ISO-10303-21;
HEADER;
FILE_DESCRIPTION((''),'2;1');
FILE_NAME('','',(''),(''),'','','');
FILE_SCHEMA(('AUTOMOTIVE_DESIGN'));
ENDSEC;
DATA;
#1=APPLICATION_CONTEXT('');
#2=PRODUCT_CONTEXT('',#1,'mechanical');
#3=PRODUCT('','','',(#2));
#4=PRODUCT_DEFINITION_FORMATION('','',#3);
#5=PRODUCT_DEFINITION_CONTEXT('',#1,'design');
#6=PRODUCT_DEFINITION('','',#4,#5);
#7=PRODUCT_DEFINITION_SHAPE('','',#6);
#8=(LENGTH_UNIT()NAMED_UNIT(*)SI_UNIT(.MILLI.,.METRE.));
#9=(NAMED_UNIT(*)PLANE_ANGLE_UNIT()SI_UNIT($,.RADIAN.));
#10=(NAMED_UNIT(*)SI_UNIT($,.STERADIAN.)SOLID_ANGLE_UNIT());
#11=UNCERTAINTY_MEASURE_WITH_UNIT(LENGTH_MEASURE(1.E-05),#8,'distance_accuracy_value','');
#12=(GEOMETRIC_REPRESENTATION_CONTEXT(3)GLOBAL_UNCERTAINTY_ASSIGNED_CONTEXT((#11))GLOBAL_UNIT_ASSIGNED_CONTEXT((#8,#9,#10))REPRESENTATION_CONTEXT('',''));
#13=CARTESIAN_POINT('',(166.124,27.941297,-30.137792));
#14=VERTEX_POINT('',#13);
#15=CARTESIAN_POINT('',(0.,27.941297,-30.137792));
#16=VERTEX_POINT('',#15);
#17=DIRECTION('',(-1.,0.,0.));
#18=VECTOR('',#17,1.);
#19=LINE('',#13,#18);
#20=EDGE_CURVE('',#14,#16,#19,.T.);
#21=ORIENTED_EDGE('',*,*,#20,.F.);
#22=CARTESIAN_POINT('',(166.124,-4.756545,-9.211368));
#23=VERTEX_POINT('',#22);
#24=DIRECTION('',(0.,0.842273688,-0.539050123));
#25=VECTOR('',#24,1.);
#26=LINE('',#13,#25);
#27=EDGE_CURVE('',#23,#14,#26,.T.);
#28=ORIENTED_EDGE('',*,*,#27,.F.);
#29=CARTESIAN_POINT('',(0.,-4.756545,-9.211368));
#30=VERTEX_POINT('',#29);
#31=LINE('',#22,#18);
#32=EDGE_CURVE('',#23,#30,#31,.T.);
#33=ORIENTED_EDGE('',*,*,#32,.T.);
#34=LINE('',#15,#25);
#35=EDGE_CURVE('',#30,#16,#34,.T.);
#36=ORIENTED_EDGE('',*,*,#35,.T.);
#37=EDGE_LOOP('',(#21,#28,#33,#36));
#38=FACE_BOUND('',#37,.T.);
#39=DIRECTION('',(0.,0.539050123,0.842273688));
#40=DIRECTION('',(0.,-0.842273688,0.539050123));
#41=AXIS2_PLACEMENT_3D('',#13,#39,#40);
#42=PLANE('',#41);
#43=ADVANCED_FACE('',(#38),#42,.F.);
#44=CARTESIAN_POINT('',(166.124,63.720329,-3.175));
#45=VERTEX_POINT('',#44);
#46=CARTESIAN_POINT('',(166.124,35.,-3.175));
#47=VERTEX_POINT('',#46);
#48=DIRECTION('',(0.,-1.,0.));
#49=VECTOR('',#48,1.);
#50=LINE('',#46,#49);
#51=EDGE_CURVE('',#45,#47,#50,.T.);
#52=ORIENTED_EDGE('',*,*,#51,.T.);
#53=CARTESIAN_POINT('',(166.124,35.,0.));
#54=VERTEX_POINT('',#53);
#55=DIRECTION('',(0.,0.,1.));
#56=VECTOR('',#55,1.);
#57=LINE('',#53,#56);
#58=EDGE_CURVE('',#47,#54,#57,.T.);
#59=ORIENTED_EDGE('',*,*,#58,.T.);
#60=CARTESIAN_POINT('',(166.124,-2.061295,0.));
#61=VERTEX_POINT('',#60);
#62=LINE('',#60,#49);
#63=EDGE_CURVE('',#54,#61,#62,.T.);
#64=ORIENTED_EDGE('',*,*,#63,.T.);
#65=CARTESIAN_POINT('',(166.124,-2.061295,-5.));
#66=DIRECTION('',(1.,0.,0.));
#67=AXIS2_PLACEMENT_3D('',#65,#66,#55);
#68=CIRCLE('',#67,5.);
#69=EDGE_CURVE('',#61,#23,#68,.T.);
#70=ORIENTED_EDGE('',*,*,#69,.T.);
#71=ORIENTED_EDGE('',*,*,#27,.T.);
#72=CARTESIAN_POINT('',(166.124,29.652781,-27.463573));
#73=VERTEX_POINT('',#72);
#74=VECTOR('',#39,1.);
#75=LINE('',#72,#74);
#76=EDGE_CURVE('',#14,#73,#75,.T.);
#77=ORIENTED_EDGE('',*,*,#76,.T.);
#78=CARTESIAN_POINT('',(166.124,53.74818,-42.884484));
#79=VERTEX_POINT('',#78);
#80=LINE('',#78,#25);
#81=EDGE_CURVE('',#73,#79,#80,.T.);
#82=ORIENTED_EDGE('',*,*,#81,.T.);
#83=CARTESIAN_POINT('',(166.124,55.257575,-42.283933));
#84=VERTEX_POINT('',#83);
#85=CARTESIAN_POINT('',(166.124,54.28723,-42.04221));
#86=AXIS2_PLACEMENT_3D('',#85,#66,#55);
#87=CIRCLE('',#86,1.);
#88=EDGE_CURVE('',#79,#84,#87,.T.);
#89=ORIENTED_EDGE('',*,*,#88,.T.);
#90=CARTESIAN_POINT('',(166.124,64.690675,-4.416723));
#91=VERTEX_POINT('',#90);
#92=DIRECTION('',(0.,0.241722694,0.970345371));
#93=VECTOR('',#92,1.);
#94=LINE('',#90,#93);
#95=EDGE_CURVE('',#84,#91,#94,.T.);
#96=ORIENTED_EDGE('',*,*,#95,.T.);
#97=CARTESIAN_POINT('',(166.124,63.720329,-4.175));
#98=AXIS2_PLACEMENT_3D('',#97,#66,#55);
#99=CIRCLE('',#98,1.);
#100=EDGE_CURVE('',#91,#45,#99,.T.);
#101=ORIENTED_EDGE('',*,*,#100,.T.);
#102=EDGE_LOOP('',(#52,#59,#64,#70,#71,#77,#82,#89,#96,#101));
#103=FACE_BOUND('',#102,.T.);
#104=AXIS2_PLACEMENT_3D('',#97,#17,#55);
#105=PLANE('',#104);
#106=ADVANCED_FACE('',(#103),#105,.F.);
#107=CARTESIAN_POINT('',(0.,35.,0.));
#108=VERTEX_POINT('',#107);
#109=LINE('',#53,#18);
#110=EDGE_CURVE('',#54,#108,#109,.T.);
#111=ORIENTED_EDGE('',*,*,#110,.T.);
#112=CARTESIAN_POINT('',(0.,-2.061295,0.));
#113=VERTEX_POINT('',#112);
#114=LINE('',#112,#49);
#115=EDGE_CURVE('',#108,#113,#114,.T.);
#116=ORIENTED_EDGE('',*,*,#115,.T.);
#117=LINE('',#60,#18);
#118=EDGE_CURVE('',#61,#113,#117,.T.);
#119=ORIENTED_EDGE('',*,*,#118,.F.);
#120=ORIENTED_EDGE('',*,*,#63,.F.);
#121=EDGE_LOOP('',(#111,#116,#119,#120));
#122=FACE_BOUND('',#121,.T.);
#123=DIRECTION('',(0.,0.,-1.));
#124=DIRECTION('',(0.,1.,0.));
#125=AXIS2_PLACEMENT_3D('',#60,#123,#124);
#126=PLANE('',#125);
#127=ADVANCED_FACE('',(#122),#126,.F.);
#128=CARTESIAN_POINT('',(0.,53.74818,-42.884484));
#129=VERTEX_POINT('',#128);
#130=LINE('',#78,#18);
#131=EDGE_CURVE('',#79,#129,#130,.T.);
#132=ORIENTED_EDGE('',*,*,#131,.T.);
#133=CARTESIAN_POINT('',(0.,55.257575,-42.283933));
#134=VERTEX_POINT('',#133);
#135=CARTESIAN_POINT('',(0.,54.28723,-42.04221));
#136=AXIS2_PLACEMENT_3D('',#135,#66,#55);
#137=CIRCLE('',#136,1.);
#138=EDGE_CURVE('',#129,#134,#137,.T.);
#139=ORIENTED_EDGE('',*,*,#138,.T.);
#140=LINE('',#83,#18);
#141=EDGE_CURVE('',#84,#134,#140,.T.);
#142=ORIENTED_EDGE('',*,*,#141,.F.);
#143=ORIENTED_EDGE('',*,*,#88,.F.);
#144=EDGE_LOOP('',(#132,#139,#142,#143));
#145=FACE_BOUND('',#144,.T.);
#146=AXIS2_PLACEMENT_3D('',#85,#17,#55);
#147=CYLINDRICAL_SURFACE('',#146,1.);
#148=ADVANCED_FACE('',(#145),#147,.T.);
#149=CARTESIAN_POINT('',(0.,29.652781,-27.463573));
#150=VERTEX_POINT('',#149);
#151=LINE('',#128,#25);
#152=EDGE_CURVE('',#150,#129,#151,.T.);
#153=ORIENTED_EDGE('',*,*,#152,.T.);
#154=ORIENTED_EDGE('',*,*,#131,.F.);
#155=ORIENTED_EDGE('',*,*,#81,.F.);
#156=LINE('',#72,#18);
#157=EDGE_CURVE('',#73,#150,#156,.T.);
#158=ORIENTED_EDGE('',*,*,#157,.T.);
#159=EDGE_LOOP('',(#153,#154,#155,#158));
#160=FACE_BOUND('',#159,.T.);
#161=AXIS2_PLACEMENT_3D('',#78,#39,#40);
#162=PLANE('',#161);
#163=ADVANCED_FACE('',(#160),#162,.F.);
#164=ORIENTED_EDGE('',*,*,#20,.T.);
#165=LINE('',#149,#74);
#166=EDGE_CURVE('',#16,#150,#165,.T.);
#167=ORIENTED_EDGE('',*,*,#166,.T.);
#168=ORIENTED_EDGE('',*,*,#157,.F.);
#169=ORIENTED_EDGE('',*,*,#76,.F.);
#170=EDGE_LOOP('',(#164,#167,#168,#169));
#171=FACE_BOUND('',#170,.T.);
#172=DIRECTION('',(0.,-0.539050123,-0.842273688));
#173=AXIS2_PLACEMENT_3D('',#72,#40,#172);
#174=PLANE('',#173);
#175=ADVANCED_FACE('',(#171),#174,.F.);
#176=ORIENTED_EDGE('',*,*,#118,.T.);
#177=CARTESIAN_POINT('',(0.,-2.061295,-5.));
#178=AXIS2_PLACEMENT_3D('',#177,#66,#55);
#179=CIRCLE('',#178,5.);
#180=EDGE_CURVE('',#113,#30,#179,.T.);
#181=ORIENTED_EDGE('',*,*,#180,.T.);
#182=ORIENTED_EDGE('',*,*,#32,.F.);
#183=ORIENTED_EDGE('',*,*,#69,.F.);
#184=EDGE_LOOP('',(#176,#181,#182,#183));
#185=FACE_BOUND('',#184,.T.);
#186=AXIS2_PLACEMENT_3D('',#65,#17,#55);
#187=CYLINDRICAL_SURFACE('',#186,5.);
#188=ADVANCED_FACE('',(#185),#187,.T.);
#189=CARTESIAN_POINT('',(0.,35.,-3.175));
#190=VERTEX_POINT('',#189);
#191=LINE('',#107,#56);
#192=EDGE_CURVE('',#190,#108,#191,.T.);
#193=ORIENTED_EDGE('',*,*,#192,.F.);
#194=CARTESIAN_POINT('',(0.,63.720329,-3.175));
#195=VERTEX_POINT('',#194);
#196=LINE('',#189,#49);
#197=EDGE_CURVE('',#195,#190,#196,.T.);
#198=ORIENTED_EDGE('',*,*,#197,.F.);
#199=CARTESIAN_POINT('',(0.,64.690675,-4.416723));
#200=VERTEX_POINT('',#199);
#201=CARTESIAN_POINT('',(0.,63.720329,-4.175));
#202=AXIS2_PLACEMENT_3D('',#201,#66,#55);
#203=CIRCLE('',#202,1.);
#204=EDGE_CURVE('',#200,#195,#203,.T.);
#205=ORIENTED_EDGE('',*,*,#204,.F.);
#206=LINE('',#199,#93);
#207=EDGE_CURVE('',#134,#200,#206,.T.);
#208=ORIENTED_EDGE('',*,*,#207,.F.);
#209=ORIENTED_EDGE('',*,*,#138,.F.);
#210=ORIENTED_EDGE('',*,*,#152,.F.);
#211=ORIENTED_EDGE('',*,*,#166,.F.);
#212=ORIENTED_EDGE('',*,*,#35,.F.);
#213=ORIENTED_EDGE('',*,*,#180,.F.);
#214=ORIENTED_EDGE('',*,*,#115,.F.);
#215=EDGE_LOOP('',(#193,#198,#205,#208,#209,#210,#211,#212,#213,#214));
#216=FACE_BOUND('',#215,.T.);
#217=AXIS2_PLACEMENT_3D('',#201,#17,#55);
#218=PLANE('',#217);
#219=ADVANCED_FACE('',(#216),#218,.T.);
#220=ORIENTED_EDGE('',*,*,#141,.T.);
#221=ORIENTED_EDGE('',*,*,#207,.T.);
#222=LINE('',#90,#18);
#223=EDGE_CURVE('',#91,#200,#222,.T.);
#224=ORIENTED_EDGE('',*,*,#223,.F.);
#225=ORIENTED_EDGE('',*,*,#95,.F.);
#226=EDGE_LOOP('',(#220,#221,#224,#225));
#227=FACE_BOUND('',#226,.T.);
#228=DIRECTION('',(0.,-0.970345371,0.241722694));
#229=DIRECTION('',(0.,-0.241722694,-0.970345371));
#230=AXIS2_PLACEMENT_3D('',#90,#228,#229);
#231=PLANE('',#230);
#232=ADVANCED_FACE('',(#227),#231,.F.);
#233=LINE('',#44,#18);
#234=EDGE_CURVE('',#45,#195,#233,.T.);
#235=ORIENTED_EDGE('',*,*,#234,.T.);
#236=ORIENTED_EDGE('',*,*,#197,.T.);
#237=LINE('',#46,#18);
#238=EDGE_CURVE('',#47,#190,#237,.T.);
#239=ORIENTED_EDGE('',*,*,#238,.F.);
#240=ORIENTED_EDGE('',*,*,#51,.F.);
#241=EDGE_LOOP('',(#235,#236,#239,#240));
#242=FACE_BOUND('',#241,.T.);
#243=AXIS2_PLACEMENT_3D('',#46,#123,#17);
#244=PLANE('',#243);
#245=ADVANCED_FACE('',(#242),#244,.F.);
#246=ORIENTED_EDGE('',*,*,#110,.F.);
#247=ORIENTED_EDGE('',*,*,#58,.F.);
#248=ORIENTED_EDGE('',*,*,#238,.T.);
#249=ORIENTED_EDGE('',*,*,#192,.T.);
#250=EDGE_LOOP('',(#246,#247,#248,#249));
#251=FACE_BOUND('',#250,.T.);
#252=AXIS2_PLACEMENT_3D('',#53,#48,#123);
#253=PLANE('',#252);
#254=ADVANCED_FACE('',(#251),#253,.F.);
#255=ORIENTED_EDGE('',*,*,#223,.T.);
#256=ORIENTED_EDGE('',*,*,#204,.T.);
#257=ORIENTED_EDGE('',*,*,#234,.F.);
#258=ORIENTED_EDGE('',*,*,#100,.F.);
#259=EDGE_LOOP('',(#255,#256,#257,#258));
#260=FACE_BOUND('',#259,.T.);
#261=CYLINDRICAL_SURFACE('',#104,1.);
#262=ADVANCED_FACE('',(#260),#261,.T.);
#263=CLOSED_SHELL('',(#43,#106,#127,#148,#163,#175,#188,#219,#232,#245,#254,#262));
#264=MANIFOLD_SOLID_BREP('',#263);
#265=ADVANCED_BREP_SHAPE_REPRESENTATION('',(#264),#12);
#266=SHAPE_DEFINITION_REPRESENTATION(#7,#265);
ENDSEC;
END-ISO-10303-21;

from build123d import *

# Parameters (mm, degrees)
BOSS_EXTRUDE1_DEPTH = 166.124


with BuildPart() as part:
    # Sketch1 → Boss-Extrude1 (new body)
    with BuildSketch(Plane(origin=(0, 0, 0), x_dir=(0, 0, -1), z_dir=(1, 0, 0))):
        with BuildLine():
            Line((0, 35), (3.175, 35))
            Line((3.175, 35), (3.175, 63.720329141))
            ThreePointArc((3.175, 63.720329141), (3.559257641, 64.508276695), (4.416722694, 64.690674512))
            Line((4.416722694, 64.690674512), (42.283933187, 55.257575303))
            ThreePointArc((42.283933187, 55.257575303), (42.971366415, 54.656918005), (42.88448418, 53.748179809))
            Line((42.88448418, 53.748179809), (27.463573236, 29.652781316))
            Line((27.463573236, 29.652781316), (30.137792194, 27.941297175))
            Line((30.137792194, 27.941297175), (9.211368438, -4.756545468))
            ThreePointArc((9.211368438, -4.756545468), (3.595870766, -6.860088565), (0, -2.061294853))
            Line((0, -2.061294853), (0, 35))
        make_face()
    extrude(amount=BOSS_EXTRUDE1_DEPTH)


solid = part.part
